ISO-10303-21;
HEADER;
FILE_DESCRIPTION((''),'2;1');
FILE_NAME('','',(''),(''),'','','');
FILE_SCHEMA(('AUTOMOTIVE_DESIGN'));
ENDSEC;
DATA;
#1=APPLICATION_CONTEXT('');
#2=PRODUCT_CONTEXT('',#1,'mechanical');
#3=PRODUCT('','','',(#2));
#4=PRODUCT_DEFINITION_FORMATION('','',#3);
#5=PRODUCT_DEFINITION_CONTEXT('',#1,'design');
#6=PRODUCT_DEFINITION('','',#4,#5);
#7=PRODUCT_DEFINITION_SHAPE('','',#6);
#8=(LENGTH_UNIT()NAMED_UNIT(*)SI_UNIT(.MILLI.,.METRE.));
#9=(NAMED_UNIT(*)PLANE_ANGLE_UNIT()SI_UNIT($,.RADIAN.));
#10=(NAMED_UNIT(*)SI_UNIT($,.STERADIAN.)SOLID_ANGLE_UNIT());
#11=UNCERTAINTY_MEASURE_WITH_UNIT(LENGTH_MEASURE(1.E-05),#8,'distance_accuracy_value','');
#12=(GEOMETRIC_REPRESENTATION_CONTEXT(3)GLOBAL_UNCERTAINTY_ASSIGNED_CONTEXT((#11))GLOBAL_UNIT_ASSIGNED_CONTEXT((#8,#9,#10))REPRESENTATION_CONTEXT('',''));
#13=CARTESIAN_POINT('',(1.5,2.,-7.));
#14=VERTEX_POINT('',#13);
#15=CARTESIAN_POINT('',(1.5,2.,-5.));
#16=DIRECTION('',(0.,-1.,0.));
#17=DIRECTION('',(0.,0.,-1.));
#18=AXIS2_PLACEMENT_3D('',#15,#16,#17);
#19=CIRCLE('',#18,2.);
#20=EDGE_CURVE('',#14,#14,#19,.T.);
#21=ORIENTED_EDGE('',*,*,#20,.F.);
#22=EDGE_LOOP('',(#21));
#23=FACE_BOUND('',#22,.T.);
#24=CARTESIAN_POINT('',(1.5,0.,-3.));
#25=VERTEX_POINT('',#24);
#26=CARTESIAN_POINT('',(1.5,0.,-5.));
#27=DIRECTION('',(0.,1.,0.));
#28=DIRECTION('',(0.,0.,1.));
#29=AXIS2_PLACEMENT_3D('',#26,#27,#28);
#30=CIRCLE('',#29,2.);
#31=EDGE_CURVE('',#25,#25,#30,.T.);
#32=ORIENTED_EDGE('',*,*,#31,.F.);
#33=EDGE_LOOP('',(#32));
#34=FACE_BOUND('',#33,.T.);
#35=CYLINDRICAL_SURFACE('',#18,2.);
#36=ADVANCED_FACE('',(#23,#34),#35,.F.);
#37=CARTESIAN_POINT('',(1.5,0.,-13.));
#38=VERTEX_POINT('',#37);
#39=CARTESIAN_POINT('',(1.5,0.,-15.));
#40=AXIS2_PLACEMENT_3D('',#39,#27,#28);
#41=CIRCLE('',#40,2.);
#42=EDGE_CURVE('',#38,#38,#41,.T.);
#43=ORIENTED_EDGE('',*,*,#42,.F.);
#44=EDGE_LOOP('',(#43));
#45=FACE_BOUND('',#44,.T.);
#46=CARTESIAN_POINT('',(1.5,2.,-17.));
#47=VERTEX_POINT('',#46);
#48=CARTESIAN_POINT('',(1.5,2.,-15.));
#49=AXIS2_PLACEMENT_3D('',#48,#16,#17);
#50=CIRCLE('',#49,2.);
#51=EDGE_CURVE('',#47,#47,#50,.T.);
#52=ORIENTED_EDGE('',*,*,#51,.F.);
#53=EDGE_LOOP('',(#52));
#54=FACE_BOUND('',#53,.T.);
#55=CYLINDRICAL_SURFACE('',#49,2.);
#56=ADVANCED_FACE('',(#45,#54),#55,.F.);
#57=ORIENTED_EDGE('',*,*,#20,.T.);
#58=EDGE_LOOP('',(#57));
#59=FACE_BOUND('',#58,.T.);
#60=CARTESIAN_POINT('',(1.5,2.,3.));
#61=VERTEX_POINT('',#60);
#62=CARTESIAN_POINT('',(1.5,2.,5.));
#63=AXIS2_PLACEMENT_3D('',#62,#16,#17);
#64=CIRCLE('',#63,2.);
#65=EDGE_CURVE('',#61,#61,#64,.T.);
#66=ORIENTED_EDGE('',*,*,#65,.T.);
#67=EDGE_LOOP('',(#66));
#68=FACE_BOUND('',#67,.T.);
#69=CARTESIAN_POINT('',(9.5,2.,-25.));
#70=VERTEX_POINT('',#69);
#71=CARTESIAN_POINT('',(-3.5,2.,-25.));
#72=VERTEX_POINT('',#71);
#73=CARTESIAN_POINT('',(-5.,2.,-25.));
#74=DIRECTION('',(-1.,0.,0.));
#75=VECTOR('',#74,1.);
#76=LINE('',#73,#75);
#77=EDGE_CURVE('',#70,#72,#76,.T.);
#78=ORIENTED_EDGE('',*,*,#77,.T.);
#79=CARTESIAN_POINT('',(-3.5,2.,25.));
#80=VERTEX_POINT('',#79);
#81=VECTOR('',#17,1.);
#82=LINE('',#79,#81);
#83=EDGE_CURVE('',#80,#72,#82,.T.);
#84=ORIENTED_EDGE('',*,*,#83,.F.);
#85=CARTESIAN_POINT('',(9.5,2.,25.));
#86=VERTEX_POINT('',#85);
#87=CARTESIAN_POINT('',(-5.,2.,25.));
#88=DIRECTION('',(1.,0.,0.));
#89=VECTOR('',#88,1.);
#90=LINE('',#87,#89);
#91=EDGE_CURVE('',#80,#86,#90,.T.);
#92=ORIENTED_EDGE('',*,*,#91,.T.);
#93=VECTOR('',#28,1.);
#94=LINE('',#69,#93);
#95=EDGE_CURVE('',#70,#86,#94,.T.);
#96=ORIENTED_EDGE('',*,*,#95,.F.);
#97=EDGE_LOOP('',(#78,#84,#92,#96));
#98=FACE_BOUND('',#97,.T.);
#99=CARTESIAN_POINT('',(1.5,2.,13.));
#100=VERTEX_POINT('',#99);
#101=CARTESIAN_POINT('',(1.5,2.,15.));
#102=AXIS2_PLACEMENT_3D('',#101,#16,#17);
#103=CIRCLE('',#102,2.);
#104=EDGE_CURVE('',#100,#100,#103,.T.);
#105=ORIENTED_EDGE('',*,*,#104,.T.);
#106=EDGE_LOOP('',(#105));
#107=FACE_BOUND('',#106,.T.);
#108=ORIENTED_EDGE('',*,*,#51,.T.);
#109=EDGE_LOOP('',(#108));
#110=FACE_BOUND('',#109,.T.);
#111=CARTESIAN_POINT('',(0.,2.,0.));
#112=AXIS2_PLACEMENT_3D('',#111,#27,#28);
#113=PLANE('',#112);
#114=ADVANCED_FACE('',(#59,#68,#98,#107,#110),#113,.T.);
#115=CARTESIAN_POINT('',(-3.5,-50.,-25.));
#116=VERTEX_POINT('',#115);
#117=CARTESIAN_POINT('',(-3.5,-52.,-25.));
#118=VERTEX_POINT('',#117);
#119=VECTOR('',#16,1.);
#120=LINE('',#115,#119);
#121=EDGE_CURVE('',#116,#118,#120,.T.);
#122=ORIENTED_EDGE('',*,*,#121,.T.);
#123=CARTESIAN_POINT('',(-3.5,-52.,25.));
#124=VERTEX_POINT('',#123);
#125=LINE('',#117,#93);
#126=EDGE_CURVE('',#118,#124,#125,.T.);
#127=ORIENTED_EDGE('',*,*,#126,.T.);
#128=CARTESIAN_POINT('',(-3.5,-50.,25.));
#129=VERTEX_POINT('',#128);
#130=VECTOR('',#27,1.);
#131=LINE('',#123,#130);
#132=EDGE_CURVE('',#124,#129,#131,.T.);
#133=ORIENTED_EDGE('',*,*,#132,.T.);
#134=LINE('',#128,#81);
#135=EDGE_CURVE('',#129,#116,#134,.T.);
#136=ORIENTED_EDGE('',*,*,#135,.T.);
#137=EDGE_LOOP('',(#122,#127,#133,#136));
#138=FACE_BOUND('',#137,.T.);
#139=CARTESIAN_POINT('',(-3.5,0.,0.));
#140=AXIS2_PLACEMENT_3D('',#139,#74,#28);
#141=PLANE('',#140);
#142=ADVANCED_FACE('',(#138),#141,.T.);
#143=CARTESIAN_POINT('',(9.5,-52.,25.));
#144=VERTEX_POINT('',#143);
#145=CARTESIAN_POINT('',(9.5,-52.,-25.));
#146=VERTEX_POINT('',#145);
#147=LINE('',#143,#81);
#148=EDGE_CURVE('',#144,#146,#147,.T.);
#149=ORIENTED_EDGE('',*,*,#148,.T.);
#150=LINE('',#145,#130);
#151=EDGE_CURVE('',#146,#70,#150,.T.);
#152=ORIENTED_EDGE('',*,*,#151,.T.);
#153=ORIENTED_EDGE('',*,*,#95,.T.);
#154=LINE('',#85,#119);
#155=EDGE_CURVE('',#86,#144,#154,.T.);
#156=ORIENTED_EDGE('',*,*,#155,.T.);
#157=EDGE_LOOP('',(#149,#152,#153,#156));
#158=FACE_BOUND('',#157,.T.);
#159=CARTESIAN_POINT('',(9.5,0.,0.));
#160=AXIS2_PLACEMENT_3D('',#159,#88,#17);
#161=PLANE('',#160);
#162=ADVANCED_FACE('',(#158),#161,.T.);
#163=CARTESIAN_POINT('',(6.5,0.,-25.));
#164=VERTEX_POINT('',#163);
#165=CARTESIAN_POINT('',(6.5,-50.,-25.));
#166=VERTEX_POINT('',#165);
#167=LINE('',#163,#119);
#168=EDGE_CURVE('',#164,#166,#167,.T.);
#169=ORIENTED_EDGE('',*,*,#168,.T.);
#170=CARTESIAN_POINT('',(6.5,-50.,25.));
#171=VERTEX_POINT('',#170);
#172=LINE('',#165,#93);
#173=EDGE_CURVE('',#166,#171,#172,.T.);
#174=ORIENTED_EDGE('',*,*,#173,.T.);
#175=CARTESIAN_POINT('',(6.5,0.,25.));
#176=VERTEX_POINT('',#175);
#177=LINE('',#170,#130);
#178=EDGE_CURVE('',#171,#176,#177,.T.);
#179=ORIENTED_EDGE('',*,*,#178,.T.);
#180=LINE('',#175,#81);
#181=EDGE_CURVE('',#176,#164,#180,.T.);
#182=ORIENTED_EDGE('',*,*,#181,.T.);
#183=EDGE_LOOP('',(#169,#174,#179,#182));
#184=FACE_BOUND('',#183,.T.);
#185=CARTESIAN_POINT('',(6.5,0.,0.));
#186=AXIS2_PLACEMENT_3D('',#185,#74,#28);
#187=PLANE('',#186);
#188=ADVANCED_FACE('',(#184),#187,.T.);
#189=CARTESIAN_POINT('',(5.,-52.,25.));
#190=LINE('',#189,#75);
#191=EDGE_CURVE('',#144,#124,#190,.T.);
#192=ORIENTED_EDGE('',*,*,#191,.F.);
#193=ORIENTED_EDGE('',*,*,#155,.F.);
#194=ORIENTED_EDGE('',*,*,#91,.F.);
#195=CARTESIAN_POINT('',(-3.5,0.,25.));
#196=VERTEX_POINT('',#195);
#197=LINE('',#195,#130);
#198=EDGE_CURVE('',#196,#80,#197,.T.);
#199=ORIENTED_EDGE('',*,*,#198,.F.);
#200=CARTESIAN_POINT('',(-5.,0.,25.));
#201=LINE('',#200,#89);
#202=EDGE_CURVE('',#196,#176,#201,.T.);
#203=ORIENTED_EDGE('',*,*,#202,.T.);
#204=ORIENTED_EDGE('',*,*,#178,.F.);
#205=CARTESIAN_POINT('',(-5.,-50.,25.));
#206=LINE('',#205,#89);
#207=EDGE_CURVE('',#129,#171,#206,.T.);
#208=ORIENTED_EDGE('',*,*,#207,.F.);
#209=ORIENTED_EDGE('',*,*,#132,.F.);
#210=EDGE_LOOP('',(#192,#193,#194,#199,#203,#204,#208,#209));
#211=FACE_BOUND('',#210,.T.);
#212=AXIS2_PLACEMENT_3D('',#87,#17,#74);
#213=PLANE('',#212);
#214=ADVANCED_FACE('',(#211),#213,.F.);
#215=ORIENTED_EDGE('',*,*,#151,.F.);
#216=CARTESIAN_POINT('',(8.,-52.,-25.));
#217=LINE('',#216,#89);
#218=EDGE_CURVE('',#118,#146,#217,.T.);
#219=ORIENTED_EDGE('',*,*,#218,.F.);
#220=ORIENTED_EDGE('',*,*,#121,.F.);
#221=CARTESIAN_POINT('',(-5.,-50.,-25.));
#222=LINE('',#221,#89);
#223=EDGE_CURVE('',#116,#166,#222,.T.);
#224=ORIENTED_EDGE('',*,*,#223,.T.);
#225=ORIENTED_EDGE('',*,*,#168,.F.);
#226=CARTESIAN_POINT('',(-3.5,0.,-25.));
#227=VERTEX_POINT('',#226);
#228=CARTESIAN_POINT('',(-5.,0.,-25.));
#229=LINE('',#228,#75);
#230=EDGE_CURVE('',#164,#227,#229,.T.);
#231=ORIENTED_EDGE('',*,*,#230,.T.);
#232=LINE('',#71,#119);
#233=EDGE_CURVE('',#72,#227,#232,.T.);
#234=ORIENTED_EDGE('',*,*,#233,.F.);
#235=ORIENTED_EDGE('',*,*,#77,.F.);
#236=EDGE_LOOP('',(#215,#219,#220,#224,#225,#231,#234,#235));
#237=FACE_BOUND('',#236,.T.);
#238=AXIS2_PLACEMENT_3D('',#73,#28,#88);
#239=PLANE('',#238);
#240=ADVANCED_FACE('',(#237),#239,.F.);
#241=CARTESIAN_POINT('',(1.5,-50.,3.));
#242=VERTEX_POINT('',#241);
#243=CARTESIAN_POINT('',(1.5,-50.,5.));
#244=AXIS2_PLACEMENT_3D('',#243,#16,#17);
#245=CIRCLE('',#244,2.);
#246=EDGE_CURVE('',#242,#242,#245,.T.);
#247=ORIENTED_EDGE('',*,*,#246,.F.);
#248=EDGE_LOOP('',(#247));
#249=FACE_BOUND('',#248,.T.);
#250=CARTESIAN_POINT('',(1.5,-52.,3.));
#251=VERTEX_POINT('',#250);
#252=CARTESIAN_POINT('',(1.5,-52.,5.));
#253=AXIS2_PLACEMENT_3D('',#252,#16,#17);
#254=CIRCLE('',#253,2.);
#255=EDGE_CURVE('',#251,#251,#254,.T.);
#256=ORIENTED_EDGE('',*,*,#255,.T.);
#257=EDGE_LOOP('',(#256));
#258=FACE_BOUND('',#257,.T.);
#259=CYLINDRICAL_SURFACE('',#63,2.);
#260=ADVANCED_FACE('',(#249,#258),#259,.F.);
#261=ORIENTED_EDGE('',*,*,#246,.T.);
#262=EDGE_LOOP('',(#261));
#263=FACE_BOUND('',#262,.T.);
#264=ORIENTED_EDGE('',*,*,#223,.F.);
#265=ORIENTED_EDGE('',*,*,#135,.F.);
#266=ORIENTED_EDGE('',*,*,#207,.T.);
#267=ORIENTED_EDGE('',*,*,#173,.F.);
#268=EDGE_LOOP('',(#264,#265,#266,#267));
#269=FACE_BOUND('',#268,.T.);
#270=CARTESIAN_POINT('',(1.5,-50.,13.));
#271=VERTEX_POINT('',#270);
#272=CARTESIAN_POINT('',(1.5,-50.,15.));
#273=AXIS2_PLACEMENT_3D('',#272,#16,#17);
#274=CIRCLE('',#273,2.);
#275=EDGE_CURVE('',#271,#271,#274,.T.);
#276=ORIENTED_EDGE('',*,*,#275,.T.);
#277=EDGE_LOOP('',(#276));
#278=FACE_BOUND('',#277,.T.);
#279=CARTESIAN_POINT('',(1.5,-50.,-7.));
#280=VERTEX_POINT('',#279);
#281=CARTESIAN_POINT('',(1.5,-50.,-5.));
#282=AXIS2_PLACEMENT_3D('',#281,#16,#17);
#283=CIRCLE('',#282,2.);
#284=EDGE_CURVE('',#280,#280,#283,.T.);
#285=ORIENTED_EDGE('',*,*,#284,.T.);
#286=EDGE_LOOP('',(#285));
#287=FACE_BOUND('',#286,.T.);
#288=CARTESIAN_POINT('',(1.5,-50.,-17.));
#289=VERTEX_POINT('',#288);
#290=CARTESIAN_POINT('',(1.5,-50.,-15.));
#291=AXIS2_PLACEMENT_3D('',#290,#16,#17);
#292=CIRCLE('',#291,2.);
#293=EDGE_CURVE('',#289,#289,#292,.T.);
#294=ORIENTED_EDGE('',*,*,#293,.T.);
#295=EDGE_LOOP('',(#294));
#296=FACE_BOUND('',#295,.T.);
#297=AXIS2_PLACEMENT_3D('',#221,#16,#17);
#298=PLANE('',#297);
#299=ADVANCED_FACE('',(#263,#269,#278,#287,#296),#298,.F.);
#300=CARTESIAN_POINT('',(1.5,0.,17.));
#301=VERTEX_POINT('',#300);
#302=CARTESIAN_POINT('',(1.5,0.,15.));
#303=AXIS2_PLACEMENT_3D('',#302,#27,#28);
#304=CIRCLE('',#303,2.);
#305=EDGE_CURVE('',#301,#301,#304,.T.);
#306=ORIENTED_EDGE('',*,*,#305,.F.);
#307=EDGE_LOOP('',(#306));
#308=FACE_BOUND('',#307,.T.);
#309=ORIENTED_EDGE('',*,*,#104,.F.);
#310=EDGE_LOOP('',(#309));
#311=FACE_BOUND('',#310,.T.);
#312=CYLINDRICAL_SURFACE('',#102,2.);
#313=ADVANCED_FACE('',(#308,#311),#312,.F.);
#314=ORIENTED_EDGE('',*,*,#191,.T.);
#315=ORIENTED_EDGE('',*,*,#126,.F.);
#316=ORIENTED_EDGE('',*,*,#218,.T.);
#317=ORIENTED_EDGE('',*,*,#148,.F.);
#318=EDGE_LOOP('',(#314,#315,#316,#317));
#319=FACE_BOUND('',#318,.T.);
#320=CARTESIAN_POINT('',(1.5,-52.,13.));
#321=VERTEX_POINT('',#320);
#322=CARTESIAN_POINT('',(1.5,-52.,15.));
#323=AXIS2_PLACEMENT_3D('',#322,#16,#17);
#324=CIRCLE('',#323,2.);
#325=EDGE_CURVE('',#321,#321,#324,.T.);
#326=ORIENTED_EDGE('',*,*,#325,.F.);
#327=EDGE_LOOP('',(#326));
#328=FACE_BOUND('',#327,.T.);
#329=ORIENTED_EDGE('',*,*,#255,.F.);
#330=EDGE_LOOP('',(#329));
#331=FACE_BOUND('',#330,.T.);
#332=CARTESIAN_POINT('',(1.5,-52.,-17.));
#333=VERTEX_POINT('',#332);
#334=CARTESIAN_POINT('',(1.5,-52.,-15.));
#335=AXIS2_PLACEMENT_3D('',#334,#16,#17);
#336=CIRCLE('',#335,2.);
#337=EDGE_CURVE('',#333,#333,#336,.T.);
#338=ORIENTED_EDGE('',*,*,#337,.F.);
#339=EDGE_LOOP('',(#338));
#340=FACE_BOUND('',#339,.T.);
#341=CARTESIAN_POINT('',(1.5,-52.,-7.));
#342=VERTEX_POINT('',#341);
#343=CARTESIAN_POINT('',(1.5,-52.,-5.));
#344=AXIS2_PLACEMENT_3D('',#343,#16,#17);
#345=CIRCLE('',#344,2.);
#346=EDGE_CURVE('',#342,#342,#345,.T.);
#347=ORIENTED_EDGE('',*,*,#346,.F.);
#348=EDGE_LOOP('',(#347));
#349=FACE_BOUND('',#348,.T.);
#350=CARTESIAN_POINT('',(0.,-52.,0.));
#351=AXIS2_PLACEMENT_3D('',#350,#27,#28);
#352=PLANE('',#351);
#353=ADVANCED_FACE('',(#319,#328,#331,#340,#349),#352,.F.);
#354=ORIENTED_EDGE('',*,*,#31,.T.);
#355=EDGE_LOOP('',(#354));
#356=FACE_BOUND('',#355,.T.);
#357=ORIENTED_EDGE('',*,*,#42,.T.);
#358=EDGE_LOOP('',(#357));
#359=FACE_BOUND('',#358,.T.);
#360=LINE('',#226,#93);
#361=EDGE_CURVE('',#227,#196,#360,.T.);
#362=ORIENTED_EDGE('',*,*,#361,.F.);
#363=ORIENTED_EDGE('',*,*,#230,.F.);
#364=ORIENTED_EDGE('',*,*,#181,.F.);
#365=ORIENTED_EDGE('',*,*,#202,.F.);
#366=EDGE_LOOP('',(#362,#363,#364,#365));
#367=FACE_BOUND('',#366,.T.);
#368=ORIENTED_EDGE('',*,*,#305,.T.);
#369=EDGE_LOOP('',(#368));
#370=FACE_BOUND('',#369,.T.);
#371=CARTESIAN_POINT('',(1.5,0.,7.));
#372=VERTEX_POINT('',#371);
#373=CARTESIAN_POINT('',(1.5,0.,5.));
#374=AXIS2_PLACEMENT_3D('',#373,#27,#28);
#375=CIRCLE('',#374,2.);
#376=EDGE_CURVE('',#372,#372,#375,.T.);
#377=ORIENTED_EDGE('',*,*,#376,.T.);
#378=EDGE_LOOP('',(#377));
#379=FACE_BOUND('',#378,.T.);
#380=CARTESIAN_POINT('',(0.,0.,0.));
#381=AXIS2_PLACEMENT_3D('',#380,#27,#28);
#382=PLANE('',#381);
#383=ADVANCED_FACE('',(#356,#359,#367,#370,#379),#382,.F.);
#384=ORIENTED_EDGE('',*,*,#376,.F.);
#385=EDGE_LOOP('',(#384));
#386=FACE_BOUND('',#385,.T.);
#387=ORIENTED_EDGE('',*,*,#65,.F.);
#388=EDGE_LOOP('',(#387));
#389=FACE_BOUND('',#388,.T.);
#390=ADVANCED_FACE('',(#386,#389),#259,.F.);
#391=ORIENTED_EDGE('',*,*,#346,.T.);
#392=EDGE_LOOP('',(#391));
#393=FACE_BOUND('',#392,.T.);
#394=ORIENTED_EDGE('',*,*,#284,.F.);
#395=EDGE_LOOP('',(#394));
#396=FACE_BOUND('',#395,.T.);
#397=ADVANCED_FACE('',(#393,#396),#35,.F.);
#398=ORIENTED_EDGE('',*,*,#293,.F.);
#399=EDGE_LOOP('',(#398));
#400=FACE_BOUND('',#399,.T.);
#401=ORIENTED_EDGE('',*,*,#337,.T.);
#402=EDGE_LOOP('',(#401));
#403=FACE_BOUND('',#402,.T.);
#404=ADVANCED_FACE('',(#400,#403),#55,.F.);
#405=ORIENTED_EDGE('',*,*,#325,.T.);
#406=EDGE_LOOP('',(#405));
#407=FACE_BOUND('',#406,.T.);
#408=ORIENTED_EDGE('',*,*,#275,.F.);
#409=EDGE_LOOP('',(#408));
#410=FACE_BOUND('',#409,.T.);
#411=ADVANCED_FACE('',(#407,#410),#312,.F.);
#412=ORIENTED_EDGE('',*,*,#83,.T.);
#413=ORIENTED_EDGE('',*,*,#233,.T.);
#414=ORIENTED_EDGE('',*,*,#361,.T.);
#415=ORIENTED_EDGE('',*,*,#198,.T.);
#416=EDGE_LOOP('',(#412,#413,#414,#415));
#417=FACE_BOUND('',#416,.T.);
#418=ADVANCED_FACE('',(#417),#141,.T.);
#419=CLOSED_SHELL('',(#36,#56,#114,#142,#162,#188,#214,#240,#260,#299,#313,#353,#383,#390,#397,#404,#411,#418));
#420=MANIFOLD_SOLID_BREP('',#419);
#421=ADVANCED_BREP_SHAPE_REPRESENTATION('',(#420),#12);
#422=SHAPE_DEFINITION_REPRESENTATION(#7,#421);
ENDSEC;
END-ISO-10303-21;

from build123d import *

# Parameters (mm, degrees)
SKETCH_1_W          = 10
SKETCH_1_H          = 50
EXTRUDE_1_DEPTH     = 2
SKETCH_2_W          = 50
SKETCH_2_H          = 2
EXTRUDE_2_DEPTH     = 3
SKETCH_3_W          = 3
SKETCH_3_H          = 50
EXTRUDE_3_DEPTH     = 52
SKETCH_4_W          = 50
SKETCH_4_H          = 2
EXTRUDE_4_DEPTH     = 10
SKETCH_5_R          = 2
CUT_EXTRUDE_1_DEPTH = 61.041652209
SKETCH_6_W          = 50
SKETCH_6_H          = 54
EXTRUDE_5_DEPTH     = 1.5
SKETCH_7_W          = 50
SKETCH_7_H          = 50
CUT_EXTRUDE_2_DEPTH = 1.5
SKETCH_8_W          = 50
SKETCH_8_H          = 2
CUT_EXTRUDE_3_DEPTH = 1.5


with BuildPart() as part:
    # 草图1 → 凸台-拉伸1 (new body)
    with BuildSketch(Plane(origin=(0, 0, 0), x_dir=(1, 0, 0), z_dir=(0, 1, 0))):
        Rectangle(SKETCH_1_W, SKETCH_1_H)
    extrude(amount=EXTRUDE_1_DEPTH)

    # 草图2 → 凸台-拉伸2 (add)
    with BuildSketch(Plane(origin=(5, 0, 0), x_dir=(0, 0, -1), z_dir=(1, 0, 0))):
        with Locations((0, 1)):
            Rectangle(SKETCH_2_W, SKETCH_2_H)
    extrude(amount=EXTRUDE_2_DEPTH)

    # 草图3 → 凸台-拉伸3 (add)
    with BuildSketch(Plane.XZ):
        with Locations((6.5, 0)):
            Rectangle(SKETCH_3_W, SKETCH_3_H)
    extrude(amount=EXTRUDE_3_DEPTH)

    # 草图4 → 凸台-拉伸4 (add)
    with BuildSketch(Plane.ZY.offset(-5)):
        with Locations((0, -51)):
            Rectangle(SKETCH_4_W, SKETCH_4_H)
    extrude(amount=EXTRUDE_4_DEPTH)

    # 草图5 → 切除-拉伸1 (cut, through all)
    with BuildSketch(Plane(origin=(0, -52, 0), x_dir=(-1, 0, 0), z_dir=(0, -1, 0))):
        with Locations(Location((-1.5, -15, 0), (0, 0, 90))):
            Circle(SKETCH_5_R)
        with Locations(Location((-1.5, -5, 0), (0, 0, 90))):
            Circle(SKETCH_5_R)
        with Locations(Location((-1.5, 5, 0), (0, 0, 90))):
            Circle(SKETCH_5_R)
        with Locations(Location((-1.5, 15, 0), (0, 0, 90))):
            Circle(SKETCH_5_R)
    extrude(amount=-CUT_EXTRUDE_1_DEPTH, mode=Mode.SUBTRACT)

    # 草图6 → 凸台-拉伸5 (add)
    with BuildSketch(Plane(origin=(8, 0, 0), x_dir=(0, 0, -1), z_dir=(1, 0, 0))):
        with Locations((0, -25)):
            Rectangle(SKETCH_6_W, SKETCH_6_H)
    extrude(amount=EXTRUDE_5_DEPTH)

    # 草图7 → 切除-拉伸2 (cut)
    with BuildSketch(Plane.ZY.offset(-5)):
        with Locations((0, -25)):
            Rectangle(SKETCH_7_W, SKETCH_7_H)
    extrude(amount=-CUT_EXTRUDE_2_DEPTH, mode=Mode.SUBTRACT)

    # 草图8 → 切除-拉伸3 (cut)
    with BuildSketch(Plane.ZY.offset(5)):
        with Locations((0, -51)):
            Rectangle(SKETCH_8_W, SKETCH_8_H)
        with Locations((0, 1)):
            Rectangle(SKETCH_8_W, SKETCH_8_H)
    extrude(amount=-CUT_EXTRUDE_3_DEPTH, mode=Mode.SUBTRACT)


solid = part.part
